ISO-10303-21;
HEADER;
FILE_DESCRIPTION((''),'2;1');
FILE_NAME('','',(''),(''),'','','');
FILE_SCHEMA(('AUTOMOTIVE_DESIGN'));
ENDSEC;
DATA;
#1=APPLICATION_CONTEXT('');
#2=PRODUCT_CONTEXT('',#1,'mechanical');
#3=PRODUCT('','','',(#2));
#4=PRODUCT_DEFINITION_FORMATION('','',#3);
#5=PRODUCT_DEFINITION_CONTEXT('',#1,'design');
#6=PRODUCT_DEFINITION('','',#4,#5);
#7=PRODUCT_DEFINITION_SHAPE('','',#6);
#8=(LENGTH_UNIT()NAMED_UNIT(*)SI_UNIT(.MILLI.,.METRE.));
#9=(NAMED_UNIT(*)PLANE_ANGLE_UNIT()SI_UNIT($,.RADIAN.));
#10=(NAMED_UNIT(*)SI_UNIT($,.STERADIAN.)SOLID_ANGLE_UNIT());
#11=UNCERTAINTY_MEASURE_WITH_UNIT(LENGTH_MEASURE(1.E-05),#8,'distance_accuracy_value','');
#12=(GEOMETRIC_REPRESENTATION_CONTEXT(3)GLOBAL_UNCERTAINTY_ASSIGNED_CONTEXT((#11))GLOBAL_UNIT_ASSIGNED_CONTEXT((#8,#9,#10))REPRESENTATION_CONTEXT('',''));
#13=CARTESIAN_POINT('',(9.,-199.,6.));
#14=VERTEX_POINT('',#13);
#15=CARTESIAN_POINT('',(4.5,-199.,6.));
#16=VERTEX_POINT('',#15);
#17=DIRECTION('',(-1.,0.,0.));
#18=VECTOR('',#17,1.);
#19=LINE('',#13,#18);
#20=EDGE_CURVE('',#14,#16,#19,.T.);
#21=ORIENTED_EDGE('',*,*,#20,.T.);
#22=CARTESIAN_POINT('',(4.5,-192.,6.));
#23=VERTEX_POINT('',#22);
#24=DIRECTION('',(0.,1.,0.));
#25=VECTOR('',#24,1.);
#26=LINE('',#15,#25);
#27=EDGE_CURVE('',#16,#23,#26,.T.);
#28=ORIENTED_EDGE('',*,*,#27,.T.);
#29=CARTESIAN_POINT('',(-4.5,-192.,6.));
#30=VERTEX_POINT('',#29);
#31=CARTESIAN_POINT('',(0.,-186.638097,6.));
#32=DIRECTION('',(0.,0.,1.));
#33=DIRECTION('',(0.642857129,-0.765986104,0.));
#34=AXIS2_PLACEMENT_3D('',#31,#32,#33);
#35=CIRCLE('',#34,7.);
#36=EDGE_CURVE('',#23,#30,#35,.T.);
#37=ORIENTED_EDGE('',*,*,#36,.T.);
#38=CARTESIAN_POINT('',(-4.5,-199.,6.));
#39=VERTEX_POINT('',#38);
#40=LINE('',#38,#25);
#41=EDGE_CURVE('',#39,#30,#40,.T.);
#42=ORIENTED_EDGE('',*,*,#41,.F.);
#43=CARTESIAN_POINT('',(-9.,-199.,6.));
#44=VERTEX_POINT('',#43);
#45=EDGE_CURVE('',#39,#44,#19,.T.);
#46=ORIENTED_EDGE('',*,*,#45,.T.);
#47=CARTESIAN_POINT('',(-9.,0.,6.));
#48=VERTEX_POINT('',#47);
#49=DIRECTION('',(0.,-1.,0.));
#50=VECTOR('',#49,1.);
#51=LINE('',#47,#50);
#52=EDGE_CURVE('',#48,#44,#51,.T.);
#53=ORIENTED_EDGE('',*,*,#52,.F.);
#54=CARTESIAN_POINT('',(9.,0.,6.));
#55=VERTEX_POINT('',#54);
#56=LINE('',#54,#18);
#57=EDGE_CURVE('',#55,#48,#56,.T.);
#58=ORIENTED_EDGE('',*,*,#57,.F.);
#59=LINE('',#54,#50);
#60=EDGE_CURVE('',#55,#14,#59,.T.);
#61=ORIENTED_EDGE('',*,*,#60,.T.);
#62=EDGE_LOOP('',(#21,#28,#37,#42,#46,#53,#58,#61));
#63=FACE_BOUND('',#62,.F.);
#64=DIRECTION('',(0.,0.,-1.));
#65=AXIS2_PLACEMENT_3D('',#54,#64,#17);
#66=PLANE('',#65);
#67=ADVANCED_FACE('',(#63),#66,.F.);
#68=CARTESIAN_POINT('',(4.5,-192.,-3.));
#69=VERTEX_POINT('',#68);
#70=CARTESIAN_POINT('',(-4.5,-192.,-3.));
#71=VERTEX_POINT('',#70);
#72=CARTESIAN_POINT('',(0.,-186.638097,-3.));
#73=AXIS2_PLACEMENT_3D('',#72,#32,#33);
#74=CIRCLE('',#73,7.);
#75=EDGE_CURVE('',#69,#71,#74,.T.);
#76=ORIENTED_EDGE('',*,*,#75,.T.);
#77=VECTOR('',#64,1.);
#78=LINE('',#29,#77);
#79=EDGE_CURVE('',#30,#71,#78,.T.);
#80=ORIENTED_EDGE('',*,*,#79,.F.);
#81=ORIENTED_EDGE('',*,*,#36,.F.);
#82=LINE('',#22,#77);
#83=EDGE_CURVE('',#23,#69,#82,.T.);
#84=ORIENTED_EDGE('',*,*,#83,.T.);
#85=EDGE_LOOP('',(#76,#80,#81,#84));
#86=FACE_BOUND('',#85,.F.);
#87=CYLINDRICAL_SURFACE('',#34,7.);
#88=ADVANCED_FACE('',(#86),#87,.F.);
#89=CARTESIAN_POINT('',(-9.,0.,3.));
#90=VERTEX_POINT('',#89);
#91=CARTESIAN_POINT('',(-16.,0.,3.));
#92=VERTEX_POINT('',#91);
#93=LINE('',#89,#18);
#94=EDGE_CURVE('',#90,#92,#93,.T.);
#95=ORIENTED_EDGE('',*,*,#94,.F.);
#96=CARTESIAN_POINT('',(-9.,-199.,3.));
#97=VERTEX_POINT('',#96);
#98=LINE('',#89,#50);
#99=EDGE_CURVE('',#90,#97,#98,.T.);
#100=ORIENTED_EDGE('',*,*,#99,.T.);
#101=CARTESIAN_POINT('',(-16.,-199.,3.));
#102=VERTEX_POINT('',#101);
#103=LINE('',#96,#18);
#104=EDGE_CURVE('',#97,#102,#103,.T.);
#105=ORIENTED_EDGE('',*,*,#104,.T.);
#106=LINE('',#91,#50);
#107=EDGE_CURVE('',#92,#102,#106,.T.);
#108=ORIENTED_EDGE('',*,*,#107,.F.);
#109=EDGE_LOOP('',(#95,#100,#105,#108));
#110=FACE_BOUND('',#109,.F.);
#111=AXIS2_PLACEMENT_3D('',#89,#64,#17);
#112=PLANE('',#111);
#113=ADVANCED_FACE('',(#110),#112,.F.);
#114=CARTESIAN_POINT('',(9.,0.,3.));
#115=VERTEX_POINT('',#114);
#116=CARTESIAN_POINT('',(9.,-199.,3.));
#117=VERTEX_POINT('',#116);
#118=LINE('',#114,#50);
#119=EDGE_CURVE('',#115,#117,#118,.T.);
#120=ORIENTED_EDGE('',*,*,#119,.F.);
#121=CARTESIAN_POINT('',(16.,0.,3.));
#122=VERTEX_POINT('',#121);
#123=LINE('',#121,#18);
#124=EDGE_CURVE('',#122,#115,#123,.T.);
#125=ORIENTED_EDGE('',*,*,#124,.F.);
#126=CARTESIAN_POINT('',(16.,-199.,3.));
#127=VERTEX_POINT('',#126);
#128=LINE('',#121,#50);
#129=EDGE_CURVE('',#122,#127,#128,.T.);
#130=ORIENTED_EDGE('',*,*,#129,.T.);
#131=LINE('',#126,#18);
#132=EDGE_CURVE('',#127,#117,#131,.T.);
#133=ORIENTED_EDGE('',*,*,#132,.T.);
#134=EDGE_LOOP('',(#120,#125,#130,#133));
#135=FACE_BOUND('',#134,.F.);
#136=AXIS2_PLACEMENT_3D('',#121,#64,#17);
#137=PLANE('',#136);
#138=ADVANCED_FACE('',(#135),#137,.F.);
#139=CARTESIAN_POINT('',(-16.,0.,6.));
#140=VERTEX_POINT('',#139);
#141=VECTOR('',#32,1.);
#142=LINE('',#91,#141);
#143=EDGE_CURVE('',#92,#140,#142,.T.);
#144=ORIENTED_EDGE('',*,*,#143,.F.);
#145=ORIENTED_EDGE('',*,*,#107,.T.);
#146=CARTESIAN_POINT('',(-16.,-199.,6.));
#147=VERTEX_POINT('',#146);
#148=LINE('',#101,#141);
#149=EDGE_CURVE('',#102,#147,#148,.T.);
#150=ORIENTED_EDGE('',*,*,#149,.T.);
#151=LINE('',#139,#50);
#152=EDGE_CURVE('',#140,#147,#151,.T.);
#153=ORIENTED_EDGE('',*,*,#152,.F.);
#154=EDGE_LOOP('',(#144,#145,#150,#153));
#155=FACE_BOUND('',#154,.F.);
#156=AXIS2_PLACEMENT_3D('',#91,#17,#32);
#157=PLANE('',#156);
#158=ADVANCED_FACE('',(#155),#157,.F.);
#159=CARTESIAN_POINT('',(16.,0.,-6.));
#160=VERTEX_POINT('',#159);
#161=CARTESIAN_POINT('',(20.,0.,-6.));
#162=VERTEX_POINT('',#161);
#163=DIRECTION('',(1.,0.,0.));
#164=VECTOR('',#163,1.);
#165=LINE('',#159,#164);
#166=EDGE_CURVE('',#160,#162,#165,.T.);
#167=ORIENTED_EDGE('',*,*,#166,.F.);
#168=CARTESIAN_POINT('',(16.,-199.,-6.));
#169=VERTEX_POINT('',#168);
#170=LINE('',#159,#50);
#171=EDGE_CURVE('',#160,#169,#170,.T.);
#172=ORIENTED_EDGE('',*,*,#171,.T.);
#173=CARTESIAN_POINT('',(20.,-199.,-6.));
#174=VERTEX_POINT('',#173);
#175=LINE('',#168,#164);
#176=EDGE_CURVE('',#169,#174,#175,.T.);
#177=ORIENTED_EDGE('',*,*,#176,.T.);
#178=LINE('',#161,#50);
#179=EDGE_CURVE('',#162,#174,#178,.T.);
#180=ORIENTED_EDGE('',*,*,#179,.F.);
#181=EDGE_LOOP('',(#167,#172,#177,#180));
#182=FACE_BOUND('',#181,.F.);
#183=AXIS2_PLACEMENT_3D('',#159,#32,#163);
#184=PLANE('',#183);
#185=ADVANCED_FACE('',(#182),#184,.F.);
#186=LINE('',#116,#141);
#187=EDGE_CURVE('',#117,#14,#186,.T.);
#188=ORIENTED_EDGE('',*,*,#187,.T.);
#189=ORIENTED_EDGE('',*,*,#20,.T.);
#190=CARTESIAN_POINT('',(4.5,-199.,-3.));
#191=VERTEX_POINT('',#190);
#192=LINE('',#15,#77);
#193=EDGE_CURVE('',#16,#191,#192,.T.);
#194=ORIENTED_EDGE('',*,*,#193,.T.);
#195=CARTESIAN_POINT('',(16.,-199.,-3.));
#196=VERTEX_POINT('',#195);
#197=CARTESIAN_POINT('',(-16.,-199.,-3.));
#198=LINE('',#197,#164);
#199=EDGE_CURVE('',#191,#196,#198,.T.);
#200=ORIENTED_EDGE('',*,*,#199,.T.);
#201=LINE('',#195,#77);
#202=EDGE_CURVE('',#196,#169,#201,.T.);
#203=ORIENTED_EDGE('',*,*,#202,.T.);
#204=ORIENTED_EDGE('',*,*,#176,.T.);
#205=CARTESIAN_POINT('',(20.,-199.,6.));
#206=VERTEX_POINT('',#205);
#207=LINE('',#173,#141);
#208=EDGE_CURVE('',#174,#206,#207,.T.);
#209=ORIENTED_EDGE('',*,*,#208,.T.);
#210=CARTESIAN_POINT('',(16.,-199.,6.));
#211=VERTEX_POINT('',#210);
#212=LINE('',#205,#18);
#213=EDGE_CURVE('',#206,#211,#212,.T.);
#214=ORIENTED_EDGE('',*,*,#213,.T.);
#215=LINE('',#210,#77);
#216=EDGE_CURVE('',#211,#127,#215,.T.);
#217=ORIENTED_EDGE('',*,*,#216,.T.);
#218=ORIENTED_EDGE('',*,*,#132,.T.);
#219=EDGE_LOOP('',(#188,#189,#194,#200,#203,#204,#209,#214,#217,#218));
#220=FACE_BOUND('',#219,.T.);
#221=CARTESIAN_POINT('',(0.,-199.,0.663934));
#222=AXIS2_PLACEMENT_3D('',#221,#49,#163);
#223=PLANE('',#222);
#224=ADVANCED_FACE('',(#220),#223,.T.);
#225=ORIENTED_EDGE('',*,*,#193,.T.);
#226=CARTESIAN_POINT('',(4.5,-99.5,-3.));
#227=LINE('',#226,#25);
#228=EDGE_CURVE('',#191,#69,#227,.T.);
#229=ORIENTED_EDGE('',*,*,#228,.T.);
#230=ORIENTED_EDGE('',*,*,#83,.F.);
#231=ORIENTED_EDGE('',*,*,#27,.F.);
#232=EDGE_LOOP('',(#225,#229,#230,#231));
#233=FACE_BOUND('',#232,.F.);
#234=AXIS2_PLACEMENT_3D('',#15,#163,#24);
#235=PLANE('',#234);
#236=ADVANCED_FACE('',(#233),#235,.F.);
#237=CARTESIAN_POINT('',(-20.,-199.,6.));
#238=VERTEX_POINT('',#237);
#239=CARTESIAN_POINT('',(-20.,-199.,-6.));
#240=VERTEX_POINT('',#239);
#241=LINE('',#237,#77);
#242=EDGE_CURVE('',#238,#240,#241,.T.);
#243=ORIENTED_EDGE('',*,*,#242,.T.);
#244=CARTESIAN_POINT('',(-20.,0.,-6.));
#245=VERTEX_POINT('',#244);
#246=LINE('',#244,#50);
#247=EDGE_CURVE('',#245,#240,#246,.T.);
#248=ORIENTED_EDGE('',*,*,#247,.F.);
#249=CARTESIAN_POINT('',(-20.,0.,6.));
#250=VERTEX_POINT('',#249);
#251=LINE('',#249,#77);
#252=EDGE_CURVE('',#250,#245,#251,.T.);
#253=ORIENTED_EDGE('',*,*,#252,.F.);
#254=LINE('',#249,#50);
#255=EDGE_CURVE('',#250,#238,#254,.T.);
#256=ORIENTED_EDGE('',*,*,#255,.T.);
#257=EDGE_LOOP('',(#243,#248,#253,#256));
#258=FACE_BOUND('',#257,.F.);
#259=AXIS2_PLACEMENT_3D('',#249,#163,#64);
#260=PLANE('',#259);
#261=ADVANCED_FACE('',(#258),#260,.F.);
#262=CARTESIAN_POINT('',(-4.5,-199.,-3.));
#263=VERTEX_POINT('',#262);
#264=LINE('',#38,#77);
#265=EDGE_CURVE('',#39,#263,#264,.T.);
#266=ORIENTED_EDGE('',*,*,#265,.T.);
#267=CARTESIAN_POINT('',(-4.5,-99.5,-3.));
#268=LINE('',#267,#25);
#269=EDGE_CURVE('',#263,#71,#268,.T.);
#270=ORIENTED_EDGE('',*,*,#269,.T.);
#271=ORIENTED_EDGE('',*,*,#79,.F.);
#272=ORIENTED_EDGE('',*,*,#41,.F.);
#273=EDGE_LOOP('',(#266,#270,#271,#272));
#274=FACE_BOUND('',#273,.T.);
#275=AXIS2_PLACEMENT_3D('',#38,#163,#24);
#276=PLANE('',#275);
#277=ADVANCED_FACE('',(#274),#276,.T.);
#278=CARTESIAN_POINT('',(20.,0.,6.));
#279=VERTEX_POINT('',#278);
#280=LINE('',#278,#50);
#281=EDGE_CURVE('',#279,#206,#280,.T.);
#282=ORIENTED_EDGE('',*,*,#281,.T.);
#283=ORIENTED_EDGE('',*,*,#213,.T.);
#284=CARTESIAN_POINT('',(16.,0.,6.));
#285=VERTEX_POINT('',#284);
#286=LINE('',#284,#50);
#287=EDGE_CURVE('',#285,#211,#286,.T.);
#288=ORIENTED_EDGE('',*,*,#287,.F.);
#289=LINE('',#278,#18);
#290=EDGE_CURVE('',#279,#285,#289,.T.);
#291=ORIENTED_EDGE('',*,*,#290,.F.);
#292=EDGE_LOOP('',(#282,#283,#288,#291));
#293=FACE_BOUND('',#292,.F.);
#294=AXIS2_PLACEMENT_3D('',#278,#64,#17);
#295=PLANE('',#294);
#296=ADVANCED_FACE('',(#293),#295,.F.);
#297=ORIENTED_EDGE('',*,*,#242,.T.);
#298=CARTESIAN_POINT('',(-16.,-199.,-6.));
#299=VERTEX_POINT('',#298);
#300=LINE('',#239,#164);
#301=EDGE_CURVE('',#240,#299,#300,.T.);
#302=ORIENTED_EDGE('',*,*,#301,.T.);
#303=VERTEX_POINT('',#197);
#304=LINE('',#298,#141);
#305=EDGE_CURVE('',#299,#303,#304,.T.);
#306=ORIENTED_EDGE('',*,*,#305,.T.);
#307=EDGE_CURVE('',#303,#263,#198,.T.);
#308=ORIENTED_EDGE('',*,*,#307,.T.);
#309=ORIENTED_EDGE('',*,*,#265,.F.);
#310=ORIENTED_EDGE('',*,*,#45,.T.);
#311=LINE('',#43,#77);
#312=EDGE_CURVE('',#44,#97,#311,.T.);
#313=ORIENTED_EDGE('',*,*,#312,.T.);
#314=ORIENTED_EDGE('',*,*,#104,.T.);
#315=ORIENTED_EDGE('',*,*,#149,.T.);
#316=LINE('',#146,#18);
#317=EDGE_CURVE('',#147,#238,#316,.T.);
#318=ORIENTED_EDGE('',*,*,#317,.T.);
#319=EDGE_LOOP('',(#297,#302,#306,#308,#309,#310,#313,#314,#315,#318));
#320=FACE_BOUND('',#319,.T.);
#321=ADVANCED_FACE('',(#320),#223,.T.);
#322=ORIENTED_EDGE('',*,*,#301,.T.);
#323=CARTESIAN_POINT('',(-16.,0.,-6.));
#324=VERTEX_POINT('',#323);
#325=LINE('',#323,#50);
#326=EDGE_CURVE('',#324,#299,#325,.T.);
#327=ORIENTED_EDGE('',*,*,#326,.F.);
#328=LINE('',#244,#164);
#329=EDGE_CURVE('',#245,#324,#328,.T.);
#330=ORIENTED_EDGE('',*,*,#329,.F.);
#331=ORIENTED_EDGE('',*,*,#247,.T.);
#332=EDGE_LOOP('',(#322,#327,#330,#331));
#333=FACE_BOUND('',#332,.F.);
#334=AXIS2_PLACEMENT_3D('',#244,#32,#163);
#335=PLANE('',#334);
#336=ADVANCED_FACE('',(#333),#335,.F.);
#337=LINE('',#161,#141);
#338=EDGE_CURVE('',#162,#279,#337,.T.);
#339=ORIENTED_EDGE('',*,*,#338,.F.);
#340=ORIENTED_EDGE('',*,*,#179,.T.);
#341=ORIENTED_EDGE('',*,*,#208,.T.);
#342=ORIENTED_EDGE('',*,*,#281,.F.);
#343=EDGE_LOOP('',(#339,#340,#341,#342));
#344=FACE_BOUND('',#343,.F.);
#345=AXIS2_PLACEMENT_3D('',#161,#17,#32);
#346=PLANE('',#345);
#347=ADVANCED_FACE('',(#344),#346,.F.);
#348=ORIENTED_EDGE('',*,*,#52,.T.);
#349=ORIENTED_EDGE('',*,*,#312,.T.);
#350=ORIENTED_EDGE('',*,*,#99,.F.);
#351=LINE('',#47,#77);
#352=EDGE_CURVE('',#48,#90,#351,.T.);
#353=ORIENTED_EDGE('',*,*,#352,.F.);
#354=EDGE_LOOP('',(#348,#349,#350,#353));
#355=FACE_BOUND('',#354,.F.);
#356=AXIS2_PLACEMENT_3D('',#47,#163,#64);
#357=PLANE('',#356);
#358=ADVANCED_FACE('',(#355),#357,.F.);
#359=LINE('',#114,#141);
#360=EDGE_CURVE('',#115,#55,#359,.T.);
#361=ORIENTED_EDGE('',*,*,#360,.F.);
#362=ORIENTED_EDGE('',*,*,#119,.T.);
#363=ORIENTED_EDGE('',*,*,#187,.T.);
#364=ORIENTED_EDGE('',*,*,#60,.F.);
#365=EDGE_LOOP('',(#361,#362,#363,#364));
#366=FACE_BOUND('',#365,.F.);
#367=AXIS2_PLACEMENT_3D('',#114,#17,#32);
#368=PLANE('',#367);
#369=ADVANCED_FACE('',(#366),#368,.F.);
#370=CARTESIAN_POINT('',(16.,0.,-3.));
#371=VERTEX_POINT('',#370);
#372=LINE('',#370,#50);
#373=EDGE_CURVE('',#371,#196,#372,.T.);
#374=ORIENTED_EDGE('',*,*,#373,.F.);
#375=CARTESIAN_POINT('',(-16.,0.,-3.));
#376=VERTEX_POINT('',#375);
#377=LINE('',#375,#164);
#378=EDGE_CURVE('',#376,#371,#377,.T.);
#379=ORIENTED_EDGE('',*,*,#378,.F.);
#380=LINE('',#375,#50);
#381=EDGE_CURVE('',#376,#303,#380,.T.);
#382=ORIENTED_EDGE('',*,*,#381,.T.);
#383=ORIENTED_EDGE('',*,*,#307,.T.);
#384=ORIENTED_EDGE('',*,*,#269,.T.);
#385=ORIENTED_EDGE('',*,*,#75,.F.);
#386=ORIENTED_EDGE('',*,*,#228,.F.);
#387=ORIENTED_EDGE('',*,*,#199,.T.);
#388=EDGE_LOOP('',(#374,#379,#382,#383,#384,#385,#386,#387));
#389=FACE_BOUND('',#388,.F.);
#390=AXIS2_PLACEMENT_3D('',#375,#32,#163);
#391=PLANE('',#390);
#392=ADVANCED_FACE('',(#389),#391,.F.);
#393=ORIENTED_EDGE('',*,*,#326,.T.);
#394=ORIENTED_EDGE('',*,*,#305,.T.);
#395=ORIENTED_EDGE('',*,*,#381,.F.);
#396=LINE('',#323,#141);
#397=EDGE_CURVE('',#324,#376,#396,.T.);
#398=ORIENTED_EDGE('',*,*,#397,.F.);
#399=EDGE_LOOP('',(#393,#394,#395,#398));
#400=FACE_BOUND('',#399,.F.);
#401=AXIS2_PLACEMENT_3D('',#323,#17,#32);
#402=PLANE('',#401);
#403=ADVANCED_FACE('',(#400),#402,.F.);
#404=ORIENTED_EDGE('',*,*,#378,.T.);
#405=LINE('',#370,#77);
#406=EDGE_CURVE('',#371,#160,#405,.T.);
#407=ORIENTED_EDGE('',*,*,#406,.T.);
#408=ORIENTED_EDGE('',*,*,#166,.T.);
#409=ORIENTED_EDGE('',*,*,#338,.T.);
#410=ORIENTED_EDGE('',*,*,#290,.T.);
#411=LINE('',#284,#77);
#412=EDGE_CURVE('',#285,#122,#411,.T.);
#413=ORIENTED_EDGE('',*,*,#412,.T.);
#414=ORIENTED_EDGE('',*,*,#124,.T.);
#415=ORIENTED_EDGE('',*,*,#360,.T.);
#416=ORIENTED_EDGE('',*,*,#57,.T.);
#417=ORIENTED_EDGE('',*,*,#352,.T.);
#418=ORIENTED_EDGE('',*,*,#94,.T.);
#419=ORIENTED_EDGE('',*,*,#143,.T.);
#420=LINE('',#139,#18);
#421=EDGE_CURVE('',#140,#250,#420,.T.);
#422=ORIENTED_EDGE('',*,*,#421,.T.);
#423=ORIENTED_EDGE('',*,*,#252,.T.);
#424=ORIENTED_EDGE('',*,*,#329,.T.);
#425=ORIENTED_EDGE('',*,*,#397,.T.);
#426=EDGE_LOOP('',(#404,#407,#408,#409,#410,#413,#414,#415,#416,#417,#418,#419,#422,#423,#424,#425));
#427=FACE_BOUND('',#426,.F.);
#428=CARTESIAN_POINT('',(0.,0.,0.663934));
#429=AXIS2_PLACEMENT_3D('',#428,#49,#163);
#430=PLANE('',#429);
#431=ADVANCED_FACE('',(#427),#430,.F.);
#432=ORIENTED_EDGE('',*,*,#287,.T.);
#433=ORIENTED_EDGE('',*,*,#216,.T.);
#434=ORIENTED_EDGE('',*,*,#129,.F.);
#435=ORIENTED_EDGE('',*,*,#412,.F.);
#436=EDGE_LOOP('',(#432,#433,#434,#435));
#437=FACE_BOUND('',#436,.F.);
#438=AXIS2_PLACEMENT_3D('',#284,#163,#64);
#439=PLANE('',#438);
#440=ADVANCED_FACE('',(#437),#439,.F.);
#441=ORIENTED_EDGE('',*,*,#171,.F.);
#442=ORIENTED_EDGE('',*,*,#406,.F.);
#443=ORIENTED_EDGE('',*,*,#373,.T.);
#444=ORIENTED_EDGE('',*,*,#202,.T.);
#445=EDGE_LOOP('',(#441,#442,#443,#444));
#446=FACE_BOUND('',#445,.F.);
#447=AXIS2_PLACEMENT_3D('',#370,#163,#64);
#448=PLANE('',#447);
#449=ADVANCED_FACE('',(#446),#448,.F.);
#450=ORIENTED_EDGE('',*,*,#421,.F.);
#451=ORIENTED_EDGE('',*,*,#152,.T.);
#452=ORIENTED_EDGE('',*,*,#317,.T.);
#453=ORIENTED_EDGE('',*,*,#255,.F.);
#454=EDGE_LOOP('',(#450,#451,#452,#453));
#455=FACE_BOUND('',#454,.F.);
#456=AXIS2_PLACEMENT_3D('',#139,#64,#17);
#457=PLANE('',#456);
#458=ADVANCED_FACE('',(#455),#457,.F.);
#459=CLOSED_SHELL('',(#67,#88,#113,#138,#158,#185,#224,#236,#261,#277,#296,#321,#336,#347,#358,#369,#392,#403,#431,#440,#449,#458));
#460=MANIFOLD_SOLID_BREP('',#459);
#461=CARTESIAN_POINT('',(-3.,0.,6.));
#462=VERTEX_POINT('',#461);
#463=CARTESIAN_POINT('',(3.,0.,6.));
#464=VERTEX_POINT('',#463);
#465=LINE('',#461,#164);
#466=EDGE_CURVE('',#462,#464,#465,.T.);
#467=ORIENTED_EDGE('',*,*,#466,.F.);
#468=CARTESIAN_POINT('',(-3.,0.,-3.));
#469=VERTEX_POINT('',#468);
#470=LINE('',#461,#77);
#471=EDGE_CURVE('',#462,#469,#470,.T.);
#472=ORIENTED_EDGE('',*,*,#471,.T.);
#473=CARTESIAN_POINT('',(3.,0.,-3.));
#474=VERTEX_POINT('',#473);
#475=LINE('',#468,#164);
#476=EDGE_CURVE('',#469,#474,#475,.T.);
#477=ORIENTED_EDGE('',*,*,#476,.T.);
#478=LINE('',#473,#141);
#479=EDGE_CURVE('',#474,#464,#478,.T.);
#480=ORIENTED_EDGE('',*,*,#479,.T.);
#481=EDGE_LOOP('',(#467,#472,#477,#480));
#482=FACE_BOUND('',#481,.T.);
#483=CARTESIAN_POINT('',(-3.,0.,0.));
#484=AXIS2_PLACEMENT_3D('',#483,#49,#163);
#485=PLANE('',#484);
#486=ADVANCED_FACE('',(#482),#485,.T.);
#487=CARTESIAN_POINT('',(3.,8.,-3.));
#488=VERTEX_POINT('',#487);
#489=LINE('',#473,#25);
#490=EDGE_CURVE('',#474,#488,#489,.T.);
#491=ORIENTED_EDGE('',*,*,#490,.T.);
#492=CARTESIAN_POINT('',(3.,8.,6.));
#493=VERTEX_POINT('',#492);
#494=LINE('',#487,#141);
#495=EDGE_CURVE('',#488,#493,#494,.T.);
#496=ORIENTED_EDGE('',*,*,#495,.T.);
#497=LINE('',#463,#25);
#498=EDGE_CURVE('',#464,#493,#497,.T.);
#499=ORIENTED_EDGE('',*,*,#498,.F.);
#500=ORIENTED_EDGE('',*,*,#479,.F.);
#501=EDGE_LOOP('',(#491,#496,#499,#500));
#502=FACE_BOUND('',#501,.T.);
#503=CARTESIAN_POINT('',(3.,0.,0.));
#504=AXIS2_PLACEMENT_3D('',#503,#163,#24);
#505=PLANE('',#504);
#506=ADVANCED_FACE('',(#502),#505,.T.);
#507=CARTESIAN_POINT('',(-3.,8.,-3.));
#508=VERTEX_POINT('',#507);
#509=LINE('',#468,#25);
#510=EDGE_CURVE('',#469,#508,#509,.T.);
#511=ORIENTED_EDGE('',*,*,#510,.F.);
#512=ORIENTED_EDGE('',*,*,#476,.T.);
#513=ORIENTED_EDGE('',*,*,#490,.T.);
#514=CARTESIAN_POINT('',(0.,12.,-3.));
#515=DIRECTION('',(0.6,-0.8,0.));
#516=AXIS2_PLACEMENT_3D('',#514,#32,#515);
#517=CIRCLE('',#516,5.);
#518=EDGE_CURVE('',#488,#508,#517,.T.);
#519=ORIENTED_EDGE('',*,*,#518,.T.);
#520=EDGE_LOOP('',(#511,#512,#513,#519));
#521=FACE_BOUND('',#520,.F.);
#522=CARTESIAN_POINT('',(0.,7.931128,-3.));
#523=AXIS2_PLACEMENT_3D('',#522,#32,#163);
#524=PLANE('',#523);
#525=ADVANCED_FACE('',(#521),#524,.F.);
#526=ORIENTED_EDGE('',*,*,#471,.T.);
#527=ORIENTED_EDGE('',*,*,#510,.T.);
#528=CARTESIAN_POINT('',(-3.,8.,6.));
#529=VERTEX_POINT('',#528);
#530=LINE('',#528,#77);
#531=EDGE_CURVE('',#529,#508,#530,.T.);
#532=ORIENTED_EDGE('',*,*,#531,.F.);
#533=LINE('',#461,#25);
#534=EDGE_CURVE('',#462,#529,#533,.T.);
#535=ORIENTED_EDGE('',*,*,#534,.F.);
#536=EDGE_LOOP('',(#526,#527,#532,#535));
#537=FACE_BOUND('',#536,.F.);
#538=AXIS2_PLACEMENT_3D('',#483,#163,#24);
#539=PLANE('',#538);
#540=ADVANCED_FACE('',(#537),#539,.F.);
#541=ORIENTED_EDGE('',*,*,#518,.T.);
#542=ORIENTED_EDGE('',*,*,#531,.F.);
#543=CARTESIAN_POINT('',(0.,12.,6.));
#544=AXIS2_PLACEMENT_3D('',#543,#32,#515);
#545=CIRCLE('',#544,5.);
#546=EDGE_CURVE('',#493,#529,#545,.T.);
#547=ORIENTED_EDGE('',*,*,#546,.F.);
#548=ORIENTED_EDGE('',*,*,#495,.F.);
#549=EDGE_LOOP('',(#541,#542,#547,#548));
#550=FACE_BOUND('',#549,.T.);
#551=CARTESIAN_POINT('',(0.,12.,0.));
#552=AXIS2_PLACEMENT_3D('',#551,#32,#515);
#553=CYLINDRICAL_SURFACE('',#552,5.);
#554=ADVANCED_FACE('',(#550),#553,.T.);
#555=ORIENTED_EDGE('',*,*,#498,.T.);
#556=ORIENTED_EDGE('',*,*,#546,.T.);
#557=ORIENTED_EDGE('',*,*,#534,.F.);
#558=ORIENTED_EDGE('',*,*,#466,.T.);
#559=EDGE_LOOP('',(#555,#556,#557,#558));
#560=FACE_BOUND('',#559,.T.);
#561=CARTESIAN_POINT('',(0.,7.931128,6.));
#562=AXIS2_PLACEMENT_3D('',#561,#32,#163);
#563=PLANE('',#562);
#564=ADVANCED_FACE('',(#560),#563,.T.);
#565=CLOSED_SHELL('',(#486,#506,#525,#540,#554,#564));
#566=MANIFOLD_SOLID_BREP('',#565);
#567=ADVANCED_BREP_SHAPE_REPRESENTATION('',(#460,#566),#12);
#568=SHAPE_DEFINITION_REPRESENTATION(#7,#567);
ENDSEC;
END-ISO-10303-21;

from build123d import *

# Parameters (mm, degrees)
PAD_DEPTH         = 199
POCKET_DEPTH      = 12.001
PAD001_DEPTH      = 6
PAD001_DEPTH_BACK = 3


with BuildPart() as body:
    # Sketch → Pad (new body)
    with BuildSketch(Plane.XZ):
        Polygon((-20, 6), (-20, -6), (-16, -6), (-16, -3), (-9, -3), (9, -3), (16, -3), (16, -6), (20, -6), (20, 6), (16, 6), (16, 3), (9, 3), (9, 6), (-9, 6), (-9, 3), (-16, 3), (-16, 6), align=None)
    extrude(amount=PAD_DEPTH)

    # Sketch002 (on Face14 of Pad) → Pocket (cut, through all)
    with BuildSketch(Plane(origin=(0, 0, 6), x_dir=(-1, 0, 0), z_dir=(0, 0, 1))):
        with BuildLine():
            Line((-4.5, 199), (4.5, 199))
            Line((4.5, 199), (4.5, 192))
            ThreePointArc((-4.5, 192), (0, 179.638097), (4.5, 192))
            Line((-4.5, 199), (-4.5, 192))
        make_face()
    extrude(amount=-POCKET_DEPTH, mode=Mode.SUBTRACT)


with BuildPart() as body001:
    # Sketch001 → Pad001 (new body, two sides)
    with BuildSketch(Plane.XY) as pad001_sk:
        with BuildLine():
            Line((-3, 0), (3, 0))
            Line((3, 0), (3, 8))
            ThreePointArc((3, 8), (0, 17), (-3, 8))
            Line((-3, 0), (-3, 8))
        make_face()
    extrude(amount=PAD001_DEPTH)
    extrude(pad001_sk.sketch, amount=-PAD001_DEPTH_BACK)


solid = Compound([body.part, body001.part])
